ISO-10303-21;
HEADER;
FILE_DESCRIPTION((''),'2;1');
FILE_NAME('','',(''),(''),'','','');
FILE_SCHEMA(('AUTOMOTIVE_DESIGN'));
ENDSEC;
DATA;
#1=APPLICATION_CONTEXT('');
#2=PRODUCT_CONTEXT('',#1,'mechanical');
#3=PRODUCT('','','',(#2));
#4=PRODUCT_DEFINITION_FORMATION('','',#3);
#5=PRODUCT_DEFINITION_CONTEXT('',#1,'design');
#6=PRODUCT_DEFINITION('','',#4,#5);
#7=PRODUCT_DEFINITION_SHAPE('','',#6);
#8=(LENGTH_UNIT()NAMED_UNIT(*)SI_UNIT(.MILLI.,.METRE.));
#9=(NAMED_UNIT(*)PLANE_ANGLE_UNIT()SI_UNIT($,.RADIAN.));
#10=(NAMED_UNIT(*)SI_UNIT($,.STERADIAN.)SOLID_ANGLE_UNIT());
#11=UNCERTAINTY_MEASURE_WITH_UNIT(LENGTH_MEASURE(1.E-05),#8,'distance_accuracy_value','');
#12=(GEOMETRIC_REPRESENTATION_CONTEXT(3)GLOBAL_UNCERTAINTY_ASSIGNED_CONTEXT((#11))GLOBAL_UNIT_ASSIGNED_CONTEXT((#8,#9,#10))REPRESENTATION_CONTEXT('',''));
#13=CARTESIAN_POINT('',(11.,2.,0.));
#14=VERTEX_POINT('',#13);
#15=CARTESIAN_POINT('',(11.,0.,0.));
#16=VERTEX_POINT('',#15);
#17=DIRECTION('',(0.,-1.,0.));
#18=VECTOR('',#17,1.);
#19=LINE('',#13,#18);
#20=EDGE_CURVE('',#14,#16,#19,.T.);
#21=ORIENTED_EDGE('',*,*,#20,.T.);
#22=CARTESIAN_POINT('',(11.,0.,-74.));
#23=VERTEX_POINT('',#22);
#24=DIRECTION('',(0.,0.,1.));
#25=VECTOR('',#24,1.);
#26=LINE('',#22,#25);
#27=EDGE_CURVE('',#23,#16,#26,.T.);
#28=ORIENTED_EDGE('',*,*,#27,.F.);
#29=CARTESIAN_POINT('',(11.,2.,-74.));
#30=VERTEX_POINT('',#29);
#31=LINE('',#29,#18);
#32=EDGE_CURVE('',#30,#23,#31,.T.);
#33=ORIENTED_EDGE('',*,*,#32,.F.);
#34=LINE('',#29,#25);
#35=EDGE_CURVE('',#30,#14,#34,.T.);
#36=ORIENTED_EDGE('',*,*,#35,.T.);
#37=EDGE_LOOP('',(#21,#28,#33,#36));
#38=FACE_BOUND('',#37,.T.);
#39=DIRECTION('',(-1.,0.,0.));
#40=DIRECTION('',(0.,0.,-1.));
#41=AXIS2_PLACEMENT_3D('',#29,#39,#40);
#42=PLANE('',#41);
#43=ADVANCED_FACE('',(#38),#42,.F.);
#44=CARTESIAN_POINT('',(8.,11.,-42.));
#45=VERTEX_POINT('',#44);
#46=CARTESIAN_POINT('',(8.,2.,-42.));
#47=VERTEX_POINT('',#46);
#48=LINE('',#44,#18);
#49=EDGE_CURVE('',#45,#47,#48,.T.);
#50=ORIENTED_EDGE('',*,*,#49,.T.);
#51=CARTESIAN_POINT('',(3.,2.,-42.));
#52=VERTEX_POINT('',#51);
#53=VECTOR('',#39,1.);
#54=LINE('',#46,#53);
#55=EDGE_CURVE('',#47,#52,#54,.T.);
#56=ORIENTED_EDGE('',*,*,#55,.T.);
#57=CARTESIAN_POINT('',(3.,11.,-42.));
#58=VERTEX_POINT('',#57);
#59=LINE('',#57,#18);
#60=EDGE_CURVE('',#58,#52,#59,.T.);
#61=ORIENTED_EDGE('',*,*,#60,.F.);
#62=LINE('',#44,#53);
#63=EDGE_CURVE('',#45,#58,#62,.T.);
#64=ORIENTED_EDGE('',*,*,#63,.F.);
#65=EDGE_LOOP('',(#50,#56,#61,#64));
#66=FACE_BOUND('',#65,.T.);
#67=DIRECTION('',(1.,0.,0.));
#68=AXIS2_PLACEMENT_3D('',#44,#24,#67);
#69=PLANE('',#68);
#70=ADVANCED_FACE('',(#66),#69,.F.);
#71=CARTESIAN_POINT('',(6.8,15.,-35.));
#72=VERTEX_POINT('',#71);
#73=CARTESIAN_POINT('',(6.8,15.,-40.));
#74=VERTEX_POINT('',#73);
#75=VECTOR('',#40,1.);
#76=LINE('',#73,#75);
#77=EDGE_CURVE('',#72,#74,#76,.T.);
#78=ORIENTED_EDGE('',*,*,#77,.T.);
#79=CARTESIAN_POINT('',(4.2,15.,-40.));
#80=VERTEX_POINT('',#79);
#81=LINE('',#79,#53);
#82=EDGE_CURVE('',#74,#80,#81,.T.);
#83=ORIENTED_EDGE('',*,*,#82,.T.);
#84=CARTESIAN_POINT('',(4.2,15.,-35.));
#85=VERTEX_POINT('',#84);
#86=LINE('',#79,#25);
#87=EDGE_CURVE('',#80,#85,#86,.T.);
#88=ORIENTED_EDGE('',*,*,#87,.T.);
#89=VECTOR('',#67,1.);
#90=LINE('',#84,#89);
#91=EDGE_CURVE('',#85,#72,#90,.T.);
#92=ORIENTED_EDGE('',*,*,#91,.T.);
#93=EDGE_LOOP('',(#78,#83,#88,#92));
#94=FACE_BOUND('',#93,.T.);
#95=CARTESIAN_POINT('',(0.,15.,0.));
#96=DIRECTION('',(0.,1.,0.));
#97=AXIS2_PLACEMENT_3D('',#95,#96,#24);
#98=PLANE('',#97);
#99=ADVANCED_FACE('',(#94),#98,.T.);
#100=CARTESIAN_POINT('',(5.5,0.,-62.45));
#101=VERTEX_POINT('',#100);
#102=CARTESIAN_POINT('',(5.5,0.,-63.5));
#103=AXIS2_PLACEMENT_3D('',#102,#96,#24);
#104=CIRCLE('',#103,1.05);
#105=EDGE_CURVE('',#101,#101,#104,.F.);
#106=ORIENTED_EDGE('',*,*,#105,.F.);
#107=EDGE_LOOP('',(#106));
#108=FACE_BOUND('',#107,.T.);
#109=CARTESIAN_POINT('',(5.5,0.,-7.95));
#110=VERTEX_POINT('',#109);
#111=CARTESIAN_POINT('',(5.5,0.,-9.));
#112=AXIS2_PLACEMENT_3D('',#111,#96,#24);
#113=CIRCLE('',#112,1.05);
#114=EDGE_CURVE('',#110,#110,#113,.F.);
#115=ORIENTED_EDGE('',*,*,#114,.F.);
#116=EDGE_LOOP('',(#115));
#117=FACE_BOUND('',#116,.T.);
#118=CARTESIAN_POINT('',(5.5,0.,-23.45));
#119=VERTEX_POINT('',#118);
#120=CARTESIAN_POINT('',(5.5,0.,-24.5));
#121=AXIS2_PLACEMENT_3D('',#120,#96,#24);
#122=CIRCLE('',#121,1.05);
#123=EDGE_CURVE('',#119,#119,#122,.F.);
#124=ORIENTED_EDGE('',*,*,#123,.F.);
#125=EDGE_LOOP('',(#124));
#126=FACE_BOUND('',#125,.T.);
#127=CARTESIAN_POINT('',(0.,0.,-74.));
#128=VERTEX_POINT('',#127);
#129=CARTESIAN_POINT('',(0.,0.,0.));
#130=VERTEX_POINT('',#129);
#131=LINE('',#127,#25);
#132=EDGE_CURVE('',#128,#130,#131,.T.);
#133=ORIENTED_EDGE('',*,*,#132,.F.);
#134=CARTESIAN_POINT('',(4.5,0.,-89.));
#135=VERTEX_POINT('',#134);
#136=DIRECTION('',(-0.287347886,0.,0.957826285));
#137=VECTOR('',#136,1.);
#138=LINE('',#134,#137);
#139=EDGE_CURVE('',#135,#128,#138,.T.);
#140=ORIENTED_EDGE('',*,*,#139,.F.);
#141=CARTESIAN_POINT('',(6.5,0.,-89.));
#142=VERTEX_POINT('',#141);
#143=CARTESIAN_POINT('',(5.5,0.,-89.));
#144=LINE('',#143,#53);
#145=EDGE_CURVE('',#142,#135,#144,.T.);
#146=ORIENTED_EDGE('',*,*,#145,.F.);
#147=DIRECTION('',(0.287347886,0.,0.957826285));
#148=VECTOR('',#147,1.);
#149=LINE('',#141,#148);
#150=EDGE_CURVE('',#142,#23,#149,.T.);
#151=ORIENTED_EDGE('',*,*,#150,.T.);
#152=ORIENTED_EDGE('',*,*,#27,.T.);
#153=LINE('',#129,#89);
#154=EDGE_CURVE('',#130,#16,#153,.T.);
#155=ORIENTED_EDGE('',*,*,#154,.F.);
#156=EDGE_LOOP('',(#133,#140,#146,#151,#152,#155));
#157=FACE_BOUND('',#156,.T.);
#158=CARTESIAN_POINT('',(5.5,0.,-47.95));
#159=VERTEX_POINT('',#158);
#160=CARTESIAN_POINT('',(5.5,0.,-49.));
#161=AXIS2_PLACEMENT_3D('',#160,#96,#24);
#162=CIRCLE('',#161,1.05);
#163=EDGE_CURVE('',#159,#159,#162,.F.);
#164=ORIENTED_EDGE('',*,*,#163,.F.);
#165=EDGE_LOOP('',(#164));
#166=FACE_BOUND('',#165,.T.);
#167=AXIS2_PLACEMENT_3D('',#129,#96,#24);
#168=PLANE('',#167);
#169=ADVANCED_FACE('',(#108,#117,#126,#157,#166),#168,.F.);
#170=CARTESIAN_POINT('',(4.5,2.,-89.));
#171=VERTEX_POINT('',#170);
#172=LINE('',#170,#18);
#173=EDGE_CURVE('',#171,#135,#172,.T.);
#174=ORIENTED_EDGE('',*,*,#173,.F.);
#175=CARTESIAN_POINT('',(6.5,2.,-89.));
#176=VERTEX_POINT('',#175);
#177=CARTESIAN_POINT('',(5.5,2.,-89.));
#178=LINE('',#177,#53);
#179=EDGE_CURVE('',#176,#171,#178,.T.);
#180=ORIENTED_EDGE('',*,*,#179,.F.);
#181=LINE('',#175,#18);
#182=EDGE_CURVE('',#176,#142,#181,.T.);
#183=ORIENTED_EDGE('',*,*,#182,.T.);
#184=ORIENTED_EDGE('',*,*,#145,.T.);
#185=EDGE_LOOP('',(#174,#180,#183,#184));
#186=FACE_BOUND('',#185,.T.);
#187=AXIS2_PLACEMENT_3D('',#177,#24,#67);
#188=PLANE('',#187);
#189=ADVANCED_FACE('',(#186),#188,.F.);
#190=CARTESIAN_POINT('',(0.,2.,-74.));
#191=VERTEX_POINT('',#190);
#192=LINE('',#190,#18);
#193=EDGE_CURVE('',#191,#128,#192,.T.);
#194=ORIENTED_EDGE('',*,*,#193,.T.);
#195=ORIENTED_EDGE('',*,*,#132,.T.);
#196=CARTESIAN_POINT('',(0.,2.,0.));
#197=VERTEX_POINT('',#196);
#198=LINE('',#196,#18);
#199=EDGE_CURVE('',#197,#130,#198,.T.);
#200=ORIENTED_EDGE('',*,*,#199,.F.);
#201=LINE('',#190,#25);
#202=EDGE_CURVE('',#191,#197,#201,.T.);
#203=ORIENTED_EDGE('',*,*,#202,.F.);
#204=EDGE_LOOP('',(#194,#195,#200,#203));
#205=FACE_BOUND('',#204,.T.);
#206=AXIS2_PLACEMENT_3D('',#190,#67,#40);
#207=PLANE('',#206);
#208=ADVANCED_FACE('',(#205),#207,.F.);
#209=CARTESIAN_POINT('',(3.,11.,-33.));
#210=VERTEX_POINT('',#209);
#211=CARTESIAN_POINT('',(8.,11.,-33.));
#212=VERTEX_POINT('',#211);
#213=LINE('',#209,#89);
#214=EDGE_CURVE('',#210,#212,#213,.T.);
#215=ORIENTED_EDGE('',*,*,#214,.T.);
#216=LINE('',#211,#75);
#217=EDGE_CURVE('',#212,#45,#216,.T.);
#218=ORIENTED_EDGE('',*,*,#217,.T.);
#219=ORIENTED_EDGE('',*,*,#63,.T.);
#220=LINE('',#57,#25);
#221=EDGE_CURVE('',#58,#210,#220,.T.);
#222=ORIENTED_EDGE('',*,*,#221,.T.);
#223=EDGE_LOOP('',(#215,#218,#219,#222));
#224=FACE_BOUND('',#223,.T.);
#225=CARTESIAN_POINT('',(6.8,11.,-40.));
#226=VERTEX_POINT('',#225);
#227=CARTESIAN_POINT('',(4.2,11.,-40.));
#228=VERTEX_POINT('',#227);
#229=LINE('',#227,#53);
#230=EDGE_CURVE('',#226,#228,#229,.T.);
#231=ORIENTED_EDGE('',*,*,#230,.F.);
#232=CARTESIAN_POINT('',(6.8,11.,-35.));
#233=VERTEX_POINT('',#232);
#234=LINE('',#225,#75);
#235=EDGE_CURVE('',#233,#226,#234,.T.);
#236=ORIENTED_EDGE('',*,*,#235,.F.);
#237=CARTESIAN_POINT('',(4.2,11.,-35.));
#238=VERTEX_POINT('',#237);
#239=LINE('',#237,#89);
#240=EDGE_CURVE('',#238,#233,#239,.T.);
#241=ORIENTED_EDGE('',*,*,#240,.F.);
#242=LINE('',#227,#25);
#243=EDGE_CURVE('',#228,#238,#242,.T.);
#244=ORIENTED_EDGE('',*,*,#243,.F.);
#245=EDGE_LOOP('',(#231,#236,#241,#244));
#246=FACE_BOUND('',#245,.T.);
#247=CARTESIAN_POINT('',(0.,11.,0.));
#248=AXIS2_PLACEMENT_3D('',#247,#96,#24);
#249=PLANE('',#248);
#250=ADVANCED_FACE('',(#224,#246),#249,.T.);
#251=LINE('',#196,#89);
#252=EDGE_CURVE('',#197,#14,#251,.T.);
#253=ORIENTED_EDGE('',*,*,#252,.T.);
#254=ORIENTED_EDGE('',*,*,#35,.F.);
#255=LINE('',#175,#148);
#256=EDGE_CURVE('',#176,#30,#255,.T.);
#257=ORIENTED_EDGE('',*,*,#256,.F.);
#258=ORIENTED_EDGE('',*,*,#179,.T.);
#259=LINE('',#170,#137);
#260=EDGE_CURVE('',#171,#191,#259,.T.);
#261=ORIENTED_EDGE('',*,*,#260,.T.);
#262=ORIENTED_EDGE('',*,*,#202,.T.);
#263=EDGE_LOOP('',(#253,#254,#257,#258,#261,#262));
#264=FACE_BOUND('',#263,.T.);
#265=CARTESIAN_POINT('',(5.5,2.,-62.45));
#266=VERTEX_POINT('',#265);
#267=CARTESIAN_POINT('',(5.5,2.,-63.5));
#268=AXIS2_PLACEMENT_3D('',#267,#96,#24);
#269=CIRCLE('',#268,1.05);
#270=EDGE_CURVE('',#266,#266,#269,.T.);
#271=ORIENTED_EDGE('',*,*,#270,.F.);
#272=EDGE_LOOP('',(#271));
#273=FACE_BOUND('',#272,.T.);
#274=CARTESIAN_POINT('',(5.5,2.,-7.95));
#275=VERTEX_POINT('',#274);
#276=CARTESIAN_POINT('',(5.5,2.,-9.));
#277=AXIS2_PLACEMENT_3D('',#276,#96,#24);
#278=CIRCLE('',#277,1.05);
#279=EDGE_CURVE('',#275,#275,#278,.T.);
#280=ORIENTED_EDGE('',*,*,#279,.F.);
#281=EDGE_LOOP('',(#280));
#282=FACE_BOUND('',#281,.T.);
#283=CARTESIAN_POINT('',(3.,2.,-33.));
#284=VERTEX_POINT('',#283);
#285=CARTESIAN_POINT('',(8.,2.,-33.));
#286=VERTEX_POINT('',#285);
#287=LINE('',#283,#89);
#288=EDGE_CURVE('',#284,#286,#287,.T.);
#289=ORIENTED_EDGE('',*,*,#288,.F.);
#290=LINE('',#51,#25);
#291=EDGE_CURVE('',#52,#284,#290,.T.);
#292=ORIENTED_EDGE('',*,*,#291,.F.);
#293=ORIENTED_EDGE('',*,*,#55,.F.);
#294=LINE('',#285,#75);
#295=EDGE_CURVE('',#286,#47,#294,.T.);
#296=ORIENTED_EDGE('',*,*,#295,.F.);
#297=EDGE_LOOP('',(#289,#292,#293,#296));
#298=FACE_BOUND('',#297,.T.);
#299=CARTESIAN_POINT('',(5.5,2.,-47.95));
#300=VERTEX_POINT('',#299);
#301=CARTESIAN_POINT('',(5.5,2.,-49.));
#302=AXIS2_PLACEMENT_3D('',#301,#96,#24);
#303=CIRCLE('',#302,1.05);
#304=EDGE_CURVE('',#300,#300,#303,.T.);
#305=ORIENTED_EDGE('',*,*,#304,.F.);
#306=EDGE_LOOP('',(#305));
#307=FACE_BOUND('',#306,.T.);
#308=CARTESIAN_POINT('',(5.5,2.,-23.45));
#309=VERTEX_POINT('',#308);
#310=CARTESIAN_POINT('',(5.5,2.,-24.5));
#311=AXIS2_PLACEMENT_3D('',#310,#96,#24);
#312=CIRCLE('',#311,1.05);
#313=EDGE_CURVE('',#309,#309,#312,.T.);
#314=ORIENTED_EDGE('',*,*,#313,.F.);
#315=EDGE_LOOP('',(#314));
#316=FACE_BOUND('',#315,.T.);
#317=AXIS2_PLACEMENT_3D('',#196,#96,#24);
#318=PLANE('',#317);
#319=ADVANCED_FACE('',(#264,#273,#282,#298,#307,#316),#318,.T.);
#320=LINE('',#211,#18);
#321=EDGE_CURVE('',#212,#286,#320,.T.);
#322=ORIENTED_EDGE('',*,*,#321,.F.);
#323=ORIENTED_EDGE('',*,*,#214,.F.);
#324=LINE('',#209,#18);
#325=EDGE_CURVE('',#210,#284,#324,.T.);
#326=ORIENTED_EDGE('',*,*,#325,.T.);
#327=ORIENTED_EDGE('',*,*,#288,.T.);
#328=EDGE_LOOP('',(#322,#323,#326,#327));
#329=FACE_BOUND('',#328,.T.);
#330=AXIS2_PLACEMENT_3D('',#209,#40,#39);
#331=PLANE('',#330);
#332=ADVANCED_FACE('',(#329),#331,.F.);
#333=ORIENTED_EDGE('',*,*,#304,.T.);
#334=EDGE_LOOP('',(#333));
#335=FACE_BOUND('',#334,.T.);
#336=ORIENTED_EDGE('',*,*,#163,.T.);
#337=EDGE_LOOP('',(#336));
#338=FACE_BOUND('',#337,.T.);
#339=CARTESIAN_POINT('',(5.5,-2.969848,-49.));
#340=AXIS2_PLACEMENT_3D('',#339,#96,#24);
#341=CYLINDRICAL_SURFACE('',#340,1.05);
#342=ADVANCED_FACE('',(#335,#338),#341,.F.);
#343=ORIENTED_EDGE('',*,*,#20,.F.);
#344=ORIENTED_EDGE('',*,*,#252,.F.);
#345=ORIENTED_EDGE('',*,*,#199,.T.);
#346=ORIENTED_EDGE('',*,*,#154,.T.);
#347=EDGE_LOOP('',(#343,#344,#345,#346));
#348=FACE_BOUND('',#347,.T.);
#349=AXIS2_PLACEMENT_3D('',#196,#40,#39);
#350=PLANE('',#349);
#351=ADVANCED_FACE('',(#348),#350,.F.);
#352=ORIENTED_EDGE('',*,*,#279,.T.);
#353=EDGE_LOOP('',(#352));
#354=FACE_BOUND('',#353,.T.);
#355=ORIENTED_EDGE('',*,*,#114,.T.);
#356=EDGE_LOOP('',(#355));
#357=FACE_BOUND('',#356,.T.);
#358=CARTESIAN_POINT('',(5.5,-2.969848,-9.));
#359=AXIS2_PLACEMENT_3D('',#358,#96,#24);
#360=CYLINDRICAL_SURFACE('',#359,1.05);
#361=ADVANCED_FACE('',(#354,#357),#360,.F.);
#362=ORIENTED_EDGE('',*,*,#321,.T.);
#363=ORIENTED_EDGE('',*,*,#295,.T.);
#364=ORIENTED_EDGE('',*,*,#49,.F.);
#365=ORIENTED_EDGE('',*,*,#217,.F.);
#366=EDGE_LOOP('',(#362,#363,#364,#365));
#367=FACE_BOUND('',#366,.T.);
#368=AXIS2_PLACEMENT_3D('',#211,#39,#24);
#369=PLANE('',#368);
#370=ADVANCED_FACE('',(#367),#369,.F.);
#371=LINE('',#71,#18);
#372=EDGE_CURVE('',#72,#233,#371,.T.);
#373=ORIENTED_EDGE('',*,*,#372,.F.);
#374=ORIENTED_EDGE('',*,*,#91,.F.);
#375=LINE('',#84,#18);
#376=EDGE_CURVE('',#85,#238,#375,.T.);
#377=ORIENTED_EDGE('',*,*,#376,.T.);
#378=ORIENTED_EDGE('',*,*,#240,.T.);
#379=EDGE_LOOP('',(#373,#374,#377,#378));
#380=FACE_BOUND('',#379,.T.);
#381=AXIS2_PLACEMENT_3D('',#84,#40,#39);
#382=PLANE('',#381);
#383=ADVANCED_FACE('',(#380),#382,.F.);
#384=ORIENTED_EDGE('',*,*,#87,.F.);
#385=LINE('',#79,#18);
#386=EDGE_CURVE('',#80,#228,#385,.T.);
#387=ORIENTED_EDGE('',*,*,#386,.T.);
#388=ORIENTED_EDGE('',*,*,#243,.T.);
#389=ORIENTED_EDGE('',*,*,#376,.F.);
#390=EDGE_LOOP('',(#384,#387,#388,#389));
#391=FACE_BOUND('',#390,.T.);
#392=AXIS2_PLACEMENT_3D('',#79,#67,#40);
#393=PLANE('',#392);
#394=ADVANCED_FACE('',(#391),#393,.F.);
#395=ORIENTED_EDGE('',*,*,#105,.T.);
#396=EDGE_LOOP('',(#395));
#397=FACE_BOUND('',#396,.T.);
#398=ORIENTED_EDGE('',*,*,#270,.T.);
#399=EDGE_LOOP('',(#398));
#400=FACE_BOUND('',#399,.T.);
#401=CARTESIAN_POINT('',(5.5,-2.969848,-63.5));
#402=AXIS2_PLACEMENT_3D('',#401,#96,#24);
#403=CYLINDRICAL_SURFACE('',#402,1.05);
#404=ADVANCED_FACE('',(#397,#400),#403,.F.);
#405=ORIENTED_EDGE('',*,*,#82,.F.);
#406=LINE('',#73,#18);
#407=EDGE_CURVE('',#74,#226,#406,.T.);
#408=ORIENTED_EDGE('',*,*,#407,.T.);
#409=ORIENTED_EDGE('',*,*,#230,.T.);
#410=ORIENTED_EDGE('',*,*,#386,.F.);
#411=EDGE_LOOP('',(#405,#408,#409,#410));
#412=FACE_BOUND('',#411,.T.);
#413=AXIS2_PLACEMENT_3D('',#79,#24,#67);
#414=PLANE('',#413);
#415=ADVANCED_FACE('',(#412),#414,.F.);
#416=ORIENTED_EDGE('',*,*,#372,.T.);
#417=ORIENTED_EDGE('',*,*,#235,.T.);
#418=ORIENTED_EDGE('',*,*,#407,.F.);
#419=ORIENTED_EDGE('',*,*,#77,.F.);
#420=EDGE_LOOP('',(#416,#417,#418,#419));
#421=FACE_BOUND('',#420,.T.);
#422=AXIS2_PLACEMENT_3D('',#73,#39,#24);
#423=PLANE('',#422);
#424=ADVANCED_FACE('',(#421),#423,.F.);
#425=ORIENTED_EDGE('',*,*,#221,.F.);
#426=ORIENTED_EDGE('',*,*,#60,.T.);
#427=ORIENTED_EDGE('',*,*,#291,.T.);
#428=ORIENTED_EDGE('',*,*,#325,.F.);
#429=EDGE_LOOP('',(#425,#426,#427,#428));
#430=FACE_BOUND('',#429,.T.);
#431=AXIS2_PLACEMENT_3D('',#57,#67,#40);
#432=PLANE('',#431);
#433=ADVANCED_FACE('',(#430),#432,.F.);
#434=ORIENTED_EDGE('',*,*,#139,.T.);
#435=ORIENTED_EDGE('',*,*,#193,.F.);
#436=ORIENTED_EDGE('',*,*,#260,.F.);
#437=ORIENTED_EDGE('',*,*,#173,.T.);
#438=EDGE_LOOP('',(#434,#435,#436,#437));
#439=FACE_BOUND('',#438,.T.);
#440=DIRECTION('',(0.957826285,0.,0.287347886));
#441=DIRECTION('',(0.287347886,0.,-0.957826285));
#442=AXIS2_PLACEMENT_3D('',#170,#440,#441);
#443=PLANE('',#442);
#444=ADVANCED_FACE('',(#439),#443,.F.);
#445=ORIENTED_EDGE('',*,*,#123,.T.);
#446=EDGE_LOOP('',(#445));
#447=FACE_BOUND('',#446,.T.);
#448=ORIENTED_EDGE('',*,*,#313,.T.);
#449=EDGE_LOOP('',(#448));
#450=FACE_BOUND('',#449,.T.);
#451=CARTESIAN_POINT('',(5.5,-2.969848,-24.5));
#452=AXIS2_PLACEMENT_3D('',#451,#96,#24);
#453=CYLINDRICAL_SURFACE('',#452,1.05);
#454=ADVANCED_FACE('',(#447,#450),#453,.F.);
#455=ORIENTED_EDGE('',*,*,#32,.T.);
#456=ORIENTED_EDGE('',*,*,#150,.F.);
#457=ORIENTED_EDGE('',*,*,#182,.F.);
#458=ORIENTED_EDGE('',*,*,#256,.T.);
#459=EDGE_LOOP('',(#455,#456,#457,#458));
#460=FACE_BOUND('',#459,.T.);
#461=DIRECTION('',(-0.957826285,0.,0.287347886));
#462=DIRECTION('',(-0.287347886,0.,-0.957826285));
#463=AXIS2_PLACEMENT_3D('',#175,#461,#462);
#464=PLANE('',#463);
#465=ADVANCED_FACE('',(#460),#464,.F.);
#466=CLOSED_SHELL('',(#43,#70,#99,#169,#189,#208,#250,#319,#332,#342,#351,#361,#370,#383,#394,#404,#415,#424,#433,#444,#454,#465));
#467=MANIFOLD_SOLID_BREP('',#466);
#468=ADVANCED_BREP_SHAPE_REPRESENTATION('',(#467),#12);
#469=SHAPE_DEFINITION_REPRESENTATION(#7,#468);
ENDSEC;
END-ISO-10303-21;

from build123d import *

# Parameters (mm, degrees)
BOSS_EXTRUDE1_DEPTH = 2
SKETCH3_R           = 1.05
CUT_EXTRUDE1_DEPTH  = 2
SKETCH4_W           = 5
SKETCH4_H           = 9
BOSS_EXTRUDE2_DEPTH = 9
SKETCH5_W           = 2.6
SKETCH5_H           = 5
BOSS_EXTRUDE3_DEPTH = 4


with BuildPart() as part:
    # Sketch2 → Boss-Extrude1 (new body)
    with BuildSketch(Plane(origin=(0, 0, 0), x_dir=(1, 0, 0), z_dir=(0, 1, 0))):
        Polygon((0, 0), (5.5, 0), (5.5, 89), (4.5, 89), (0, 74), align=None)
    extrude(amount=BOSS_EXTRUDE1_DEPTH)

    # Mirror1: part across plane


with BuildPart() as part_1:
    add(part.part)
    add(part.part.mirror(Plane(origin=(5.5, 2, 0), x_dir=(0, 0, 1), z_dir=(-1, 0, 0))))

    # Sketch3 → Cut-Extrude1 (cut)
    with BuildSketch(Plane(origin=(0, 2, 0), x_dir=(1, 0, 0), z_dir=(0, 1, 0))):
        with Locations((5.5, 9)):
            Circle(SKETCH3_R)
        with Locations((5.5, 24.5)):
            Circle(SKETCH3_R)
        with Locations((5.5, 49)):
            Circle(SKETCH3_R)
        with Locations((5.5, 63.5)):
            Circle(SKETCH3_R)
    extrude(amount=-CUT_EXTRUDE1_DEPTH, mode=Mode.SUBTRACT)

    # Sketch4 → Boss-Extrude2 (add)
    with BuildSketch(Plane(origin=(0, 2, 0), x_dir=(1, 0, 0), z_dir=(0, 1, 0))):
        with Locations((5.5, 37.5)):
            Rectangle(SKETCH4_W, SKETCH4_H)
    extrude(amount=BOSS_EXTRUDE2_DEPTH)

    # Sketch5 → Boss-Extrude3 (add)
    with BuildSketch(Plane(origin=(0, 11, 0), x_dir=(1, 0, 0), z_dir=(0, 1, 0))):
        with Locations((5.5, 37.5)):
            Rectangle(SKETCH5_W, SKETCH5_H)
    extrude(amount=BOSS_EXTRUDE3_DEPTH)


solid = part_1.part
